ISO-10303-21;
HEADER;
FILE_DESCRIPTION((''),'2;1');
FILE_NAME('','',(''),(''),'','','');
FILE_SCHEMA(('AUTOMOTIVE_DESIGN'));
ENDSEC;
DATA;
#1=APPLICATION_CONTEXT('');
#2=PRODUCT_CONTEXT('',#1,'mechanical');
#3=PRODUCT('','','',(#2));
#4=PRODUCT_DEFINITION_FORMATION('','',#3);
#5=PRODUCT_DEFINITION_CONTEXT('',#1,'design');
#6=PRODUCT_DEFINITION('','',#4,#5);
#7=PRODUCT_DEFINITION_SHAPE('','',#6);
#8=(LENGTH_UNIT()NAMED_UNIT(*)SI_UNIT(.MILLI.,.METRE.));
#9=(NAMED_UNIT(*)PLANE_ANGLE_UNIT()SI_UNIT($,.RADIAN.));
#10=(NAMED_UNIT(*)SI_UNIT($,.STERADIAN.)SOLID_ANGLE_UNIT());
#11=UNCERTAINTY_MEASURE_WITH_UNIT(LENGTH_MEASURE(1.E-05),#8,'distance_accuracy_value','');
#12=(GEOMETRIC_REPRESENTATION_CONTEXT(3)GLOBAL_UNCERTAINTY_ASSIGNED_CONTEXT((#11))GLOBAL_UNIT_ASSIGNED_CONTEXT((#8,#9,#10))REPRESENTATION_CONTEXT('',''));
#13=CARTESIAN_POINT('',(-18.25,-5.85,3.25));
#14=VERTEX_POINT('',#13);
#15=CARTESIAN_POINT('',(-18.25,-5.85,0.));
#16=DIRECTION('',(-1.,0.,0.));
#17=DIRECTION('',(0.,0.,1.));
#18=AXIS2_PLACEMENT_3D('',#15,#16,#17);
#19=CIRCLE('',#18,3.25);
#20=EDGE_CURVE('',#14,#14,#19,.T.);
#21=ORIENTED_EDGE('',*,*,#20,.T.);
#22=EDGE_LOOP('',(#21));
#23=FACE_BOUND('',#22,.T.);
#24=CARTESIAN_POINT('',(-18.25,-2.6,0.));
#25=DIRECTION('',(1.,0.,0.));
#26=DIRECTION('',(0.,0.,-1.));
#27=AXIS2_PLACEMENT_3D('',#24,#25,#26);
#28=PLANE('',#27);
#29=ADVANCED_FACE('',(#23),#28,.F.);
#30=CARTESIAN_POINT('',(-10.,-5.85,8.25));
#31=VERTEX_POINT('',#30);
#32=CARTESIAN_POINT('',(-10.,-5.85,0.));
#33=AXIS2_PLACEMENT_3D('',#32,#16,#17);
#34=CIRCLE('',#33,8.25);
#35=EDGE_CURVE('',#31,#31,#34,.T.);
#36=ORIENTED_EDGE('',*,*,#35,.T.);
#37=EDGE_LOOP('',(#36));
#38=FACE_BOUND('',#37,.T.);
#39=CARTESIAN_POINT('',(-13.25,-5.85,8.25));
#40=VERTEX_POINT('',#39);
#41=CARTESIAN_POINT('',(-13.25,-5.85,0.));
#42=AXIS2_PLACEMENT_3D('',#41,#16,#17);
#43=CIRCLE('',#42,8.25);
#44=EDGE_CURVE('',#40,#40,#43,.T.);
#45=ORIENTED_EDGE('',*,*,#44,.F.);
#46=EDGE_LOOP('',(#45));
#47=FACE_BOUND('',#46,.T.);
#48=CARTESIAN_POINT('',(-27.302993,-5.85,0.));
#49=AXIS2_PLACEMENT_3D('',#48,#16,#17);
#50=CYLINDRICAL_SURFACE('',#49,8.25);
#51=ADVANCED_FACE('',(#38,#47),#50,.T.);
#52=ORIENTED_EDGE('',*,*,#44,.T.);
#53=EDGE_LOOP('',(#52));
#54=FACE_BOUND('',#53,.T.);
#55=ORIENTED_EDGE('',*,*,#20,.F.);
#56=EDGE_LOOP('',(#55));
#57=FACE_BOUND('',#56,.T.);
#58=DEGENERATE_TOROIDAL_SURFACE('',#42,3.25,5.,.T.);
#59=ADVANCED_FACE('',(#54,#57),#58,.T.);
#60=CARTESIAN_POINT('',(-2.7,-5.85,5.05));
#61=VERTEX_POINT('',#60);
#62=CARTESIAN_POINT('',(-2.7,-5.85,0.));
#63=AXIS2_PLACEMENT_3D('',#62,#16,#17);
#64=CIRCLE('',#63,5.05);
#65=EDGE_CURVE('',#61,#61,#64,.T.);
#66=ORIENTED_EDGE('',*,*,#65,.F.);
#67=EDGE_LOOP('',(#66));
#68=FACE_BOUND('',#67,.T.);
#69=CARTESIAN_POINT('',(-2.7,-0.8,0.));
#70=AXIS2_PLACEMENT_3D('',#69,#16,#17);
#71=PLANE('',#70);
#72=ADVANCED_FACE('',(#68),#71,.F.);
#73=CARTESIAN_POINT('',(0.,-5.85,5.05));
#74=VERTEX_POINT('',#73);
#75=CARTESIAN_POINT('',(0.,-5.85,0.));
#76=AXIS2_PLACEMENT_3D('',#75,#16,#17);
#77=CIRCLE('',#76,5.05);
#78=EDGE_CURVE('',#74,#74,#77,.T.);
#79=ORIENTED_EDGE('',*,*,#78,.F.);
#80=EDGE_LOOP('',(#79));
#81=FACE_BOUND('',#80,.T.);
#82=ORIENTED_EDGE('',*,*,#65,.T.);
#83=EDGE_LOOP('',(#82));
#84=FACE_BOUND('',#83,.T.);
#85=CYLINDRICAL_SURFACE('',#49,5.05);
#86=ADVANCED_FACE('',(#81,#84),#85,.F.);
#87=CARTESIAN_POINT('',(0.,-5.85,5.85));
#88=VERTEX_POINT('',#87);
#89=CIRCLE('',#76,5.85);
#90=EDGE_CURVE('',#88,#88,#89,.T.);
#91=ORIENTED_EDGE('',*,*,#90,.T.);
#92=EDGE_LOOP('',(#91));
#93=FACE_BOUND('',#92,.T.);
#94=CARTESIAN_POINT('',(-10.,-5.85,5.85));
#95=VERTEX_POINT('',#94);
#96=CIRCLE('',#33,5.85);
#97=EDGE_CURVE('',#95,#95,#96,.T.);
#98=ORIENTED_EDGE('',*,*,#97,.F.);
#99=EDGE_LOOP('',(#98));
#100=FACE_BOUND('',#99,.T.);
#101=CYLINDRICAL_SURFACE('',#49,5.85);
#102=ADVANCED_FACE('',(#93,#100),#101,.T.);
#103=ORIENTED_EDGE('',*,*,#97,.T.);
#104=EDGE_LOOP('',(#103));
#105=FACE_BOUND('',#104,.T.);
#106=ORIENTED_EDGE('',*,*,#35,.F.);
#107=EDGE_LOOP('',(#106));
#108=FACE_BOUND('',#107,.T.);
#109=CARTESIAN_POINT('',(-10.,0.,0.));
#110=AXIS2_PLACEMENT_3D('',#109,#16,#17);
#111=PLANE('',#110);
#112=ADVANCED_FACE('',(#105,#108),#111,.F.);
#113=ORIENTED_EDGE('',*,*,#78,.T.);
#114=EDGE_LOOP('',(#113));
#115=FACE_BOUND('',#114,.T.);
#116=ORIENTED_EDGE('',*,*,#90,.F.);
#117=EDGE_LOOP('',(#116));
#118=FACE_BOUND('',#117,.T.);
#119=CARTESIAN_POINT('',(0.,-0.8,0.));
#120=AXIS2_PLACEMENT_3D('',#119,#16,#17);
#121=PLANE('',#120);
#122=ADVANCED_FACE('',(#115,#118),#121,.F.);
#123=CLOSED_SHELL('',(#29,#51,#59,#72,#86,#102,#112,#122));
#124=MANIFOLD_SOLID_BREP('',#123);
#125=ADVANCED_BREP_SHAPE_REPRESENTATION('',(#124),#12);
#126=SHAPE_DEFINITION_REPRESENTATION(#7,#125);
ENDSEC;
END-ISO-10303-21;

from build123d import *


with BuildPart() as part:
    # Skizze1 → Rotation1 (revolve)
    with BuildSketch(Plane.XY):
        with BuildLine():
            Line((0, 0), (-10, 0))
            Line((-10, 0), (-10, 2.4))
            Line((-10, 2.4), (-13.25, 2.4))
            ThreePointArc((-13.25, 2.4), (-16.785533906, 0.935533906), (-18.25, -2.6))
            Line((-18.25, -2.6), (-18.25, -5.85))
            Line((-18.25, -5.85), (-2.7, -5.85))
            Line((-2.7, -5.85), (-2.7, -0.8))
            Line((-2.7, -0.8), (0, -0.8))
            Line((0, -0.8), (0, 0))
        make_face()
    revolve(axis=Axis((-27.302993085, -5.85, 0), (1, 0, 0)))


solid = part.part
